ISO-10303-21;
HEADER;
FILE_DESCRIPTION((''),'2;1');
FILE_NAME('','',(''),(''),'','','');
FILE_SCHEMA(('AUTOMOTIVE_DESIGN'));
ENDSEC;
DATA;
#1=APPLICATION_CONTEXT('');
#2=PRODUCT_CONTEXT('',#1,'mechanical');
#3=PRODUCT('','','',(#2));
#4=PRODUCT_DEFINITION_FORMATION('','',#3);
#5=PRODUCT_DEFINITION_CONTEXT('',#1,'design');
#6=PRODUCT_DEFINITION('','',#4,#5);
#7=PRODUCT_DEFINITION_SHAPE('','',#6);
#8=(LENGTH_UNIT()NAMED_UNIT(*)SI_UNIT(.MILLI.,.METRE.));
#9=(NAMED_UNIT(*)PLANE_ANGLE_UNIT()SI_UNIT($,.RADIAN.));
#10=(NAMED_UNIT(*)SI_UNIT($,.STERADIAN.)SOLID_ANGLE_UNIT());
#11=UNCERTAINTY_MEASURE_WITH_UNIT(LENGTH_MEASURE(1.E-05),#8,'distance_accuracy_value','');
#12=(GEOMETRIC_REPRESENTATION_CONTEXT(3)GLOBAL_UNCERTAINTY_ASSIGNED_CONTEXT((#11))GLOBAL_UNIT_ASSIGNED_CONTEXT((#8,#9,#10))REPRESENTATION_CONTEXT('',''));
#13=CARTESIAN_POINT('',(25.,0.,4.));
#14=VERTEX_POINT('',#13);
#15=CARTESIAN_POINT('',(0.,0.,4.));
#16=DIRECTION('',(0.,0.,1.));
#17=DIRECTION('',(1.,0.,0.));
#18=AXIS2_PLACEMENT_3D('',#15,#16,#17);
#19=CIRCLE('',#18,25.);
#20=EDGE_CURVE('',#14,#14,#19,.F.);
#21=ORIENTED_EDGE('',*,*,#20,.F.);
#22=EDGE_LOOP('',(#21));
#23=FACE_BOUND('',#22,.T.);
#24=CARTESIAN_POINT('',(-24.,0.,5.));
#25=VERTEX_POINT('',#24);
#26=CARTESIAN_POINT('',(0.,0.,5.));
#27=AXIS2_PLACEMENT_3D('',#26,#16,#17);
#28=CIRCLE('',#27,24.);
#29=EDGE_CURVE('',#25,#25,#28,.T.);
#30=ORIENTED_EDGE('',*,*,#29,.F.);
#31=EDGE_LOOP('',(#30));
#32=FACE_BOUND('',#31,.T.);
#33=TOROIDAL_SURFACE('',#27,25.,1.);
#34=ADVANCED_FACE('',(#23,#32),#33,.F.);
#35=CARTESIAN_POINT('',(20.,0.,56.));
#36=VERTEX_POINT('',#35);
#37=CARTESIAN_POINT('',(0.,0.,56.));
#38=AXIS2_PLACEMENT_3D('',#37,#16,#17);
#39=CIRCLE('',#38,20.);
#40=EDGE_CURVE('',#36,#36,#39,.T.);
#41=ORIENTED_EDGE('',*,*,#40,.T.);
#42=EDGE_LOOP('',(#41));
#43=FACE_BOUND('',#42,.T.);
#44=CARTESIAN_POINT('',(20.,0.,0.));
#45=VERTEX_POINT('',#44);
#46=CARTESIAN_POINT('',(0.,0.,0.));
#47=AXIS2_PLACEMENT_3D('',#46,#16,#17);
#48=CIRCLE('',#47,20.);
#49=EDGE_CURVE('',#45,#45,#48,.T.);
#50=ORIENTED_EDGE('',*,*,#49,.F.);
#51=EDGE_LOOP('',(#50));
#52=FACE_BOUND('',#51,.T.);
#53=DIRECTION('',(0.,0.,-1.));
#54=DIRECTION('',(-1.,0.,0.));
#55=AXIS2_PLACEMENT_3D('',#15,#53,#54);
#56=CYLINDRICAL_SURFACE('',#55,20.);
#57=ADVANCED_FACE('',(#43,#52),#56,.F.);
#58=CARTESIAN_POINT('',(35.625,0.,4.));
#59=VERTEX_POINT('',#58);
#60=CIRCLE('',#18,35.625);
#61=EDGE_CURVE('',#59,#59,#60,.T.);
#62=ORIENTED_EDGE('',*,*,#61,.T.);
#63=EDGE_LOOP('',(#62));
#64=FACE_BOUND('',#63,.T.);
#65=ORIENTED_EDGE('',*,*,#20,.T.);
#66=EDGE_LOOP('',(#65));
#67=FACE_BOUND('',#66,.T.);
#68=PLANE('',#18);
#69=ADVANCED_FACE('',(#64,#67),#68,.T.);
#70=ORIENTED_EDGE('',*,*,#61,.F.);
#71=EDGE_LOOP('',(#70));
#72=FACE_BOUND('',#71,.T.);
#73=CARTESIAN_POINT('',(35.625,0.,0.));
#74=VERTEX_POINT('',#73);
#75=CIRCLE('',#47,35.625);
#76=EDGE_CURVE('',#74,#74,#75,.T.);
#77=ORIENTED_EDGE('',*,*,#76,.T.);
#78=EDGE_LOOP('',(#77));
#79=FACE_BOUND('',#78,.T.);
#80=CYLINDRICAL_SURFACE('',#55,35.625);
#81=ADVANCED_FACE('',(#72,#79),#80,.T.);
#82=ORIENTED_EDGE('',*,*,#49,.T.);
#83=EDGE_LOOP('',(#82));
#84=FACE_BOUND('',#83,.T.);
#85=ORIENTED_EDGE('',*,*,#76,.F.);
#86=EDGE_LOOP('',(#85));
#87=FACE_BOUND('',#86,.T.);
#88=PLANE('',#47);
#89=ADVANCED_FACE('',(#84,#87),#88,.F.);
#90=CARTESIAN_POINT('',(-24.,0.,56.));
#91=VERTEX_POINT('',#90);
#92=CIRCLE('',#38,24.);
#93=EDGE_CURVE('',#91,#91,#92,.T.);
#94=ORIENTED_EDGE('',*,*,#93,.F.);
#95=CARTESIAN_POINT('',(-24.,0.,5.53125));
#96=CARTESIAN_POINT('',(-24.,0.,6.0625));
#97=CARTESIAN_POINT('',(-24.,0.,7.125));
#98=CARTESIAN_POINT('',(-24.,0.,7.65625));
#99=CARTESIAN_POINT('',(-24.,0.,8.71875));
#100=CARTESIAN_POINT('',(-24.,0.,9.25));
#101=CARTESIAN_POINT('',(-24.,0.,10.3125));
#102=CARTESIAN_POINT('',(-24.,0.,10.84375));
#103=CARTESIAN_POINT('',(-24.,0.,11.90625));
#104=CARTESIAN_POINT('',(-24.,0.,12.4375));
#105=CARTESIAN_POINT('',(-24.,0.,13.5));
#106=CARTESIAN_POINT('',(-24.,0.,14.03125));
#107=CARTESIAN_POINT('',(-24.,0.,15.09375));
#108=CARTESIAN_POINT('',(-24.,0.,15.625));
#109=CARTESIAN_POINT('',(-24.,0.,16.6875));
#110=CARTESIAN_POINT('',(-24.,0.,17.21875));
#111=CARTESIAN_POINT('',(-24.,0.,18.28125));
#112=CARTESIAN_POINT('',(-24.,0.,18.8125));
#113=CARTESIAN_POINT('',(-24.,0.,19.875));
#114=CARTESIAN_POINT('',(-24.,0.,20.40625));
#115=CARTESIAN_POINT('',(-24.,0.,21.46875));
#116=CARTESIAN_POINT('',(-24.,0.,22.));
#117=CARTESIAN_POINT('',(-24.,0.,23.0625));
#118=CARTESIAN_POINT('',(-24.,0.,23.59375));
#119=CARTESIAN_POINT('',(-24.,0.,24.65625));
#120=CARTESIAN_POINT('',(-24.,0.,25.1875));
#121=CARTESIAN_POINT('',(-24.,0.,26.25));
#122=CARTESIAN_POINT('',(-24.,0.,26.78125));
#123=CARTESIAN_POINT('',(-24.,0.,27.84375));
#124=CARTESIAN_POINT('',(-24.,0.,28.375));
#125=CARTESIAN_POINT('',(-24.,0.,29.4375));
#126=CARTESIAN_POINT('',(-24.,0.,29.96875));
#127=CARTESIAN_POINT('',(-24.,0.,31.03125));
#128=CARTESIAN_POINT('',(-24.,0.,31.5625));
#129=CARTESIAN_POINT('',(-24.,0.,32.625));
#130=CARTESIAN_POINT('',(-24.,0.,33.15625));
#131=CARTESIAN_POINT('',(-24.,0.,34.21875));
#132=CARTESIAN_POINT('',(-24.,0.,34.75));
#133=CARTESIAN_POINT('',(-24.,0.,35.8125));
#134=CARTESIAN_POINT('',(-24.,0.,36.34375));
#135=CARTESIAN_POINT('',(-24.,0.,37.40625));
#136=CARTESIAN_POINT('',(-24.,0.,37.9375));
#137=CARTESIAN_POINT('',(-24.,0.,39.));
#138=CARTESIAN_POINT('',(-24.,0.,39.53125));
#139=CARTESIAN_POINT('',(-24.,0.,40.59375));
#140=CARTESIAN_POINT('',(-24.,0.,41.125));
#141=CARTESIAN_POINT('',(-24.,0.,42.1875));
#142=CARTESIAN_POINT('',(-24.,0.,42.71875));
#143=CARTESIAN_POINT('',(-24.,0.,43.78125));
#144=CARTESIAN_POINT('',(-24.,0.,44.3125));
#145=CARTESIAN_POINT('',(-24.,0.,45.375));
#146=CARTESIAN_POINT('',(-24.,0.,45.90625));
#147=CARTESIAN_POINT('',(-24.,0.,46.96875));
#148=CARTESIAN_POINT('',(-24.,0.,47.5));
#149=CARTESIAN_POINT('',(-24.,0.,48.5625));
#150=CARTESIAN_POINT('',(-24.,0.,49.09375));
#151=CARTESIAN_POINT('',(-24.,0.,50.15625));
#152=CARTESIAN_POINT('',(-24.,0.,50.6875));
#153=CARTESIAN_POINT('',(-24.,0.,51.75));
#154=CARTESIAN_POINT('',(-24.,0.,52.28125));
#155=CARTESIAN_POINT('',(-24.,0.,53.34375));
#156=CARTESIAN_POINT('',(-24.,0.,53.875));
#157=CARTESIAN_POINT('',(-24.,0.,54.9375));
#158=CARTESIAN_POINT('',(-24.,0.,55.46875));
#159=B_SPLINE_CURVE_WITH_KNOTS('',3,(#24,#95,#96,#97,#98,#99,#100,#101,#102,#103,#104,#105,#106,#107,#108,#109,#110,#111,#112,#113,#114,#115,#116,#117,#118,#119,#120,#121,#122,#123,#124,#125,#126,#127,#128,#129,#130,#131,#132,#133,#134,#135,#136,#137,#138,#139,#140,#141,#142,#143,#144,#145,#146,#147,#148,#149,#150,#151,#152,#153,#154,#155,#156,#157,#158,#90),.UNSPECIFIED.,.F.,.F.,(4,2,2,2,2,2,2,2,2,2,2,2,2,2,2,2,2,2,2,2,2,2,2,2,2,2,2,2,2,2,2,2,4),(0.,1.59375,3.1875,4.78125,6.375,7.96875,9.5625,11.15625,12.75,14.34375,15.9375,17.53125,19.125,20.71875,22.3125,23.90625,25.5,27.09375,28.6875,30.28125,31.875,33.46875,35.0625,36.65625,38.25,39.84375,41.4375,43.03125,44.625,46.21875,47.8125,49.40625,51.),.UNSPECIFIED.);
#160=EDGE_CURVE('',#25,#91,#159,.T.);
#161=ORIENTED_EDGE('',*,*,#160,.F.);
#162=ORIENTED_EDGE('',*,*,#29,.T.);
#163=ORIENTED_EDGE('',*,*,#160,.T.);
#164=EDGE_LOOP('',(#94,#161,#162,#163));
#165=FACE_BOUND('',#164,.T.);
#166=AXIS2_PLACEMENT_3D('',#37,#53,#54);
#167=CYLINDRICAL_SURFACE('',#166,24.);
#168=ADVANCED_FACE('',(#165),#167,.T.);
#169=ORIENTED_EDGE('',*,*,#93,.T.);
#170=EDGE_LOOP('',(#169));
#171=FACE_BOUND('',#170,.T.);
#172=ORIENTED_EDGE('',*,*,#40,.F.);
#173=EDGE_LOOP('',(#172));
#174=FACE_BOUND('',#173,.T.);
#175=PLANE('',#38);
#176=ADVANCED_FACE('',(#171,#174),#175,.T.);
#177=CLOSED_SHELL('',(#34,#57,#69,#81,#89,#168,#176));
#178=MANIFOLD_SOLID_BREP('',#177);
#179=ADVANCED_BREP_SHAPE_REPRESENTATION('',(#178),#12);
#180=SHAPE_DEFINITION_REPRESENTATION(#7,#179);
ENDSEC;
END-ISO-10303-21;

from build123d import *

# Parameters (mm, degrees)
SKETCH1_R           = 35.625
SKETCH1_R_2         = 20
BOSS_EXTRUDE1_DEPTH = 4
SKETCH2_R           = 24
SKETCH2_R_2         = 20
BOSS_EXTRUDE2_DEPTH = 52
FILLET1_R           = 1


with BuildPart() as part:
    # Sketch1 → Boss-Extrude1 (new body)
    with BuildSketch(Plane.XY):
        Circle(SKETCH1_R)
        Circle(SKETCH1_R_2, mode=Mode.SUBTRACT)
    extrude(amount=BOSS_EXTRUDE1_DEPTH)

    # Sketch2 → Boss-Extrude2 (add)
    with BuildSketch(Plane.XY.offset(4)):
        with Locations(Location((0, 0, 0), (0, 0, 180))):
            Circle(SKETCH2_R)
        Circle(SKETCH2_R_2, mode=Mode.SUBTRACT)
    extrude(amount=BOSS_EXTRUDE2_DEPTH)

    # Fillet1
    fillet1_edges = [part.edges().sort_by_distance(p)[0] for p in [
        (24, 0, 4),
    ]]
    fillet(fillet1_edges, radius=FILLET1_R)


solid = part.part
